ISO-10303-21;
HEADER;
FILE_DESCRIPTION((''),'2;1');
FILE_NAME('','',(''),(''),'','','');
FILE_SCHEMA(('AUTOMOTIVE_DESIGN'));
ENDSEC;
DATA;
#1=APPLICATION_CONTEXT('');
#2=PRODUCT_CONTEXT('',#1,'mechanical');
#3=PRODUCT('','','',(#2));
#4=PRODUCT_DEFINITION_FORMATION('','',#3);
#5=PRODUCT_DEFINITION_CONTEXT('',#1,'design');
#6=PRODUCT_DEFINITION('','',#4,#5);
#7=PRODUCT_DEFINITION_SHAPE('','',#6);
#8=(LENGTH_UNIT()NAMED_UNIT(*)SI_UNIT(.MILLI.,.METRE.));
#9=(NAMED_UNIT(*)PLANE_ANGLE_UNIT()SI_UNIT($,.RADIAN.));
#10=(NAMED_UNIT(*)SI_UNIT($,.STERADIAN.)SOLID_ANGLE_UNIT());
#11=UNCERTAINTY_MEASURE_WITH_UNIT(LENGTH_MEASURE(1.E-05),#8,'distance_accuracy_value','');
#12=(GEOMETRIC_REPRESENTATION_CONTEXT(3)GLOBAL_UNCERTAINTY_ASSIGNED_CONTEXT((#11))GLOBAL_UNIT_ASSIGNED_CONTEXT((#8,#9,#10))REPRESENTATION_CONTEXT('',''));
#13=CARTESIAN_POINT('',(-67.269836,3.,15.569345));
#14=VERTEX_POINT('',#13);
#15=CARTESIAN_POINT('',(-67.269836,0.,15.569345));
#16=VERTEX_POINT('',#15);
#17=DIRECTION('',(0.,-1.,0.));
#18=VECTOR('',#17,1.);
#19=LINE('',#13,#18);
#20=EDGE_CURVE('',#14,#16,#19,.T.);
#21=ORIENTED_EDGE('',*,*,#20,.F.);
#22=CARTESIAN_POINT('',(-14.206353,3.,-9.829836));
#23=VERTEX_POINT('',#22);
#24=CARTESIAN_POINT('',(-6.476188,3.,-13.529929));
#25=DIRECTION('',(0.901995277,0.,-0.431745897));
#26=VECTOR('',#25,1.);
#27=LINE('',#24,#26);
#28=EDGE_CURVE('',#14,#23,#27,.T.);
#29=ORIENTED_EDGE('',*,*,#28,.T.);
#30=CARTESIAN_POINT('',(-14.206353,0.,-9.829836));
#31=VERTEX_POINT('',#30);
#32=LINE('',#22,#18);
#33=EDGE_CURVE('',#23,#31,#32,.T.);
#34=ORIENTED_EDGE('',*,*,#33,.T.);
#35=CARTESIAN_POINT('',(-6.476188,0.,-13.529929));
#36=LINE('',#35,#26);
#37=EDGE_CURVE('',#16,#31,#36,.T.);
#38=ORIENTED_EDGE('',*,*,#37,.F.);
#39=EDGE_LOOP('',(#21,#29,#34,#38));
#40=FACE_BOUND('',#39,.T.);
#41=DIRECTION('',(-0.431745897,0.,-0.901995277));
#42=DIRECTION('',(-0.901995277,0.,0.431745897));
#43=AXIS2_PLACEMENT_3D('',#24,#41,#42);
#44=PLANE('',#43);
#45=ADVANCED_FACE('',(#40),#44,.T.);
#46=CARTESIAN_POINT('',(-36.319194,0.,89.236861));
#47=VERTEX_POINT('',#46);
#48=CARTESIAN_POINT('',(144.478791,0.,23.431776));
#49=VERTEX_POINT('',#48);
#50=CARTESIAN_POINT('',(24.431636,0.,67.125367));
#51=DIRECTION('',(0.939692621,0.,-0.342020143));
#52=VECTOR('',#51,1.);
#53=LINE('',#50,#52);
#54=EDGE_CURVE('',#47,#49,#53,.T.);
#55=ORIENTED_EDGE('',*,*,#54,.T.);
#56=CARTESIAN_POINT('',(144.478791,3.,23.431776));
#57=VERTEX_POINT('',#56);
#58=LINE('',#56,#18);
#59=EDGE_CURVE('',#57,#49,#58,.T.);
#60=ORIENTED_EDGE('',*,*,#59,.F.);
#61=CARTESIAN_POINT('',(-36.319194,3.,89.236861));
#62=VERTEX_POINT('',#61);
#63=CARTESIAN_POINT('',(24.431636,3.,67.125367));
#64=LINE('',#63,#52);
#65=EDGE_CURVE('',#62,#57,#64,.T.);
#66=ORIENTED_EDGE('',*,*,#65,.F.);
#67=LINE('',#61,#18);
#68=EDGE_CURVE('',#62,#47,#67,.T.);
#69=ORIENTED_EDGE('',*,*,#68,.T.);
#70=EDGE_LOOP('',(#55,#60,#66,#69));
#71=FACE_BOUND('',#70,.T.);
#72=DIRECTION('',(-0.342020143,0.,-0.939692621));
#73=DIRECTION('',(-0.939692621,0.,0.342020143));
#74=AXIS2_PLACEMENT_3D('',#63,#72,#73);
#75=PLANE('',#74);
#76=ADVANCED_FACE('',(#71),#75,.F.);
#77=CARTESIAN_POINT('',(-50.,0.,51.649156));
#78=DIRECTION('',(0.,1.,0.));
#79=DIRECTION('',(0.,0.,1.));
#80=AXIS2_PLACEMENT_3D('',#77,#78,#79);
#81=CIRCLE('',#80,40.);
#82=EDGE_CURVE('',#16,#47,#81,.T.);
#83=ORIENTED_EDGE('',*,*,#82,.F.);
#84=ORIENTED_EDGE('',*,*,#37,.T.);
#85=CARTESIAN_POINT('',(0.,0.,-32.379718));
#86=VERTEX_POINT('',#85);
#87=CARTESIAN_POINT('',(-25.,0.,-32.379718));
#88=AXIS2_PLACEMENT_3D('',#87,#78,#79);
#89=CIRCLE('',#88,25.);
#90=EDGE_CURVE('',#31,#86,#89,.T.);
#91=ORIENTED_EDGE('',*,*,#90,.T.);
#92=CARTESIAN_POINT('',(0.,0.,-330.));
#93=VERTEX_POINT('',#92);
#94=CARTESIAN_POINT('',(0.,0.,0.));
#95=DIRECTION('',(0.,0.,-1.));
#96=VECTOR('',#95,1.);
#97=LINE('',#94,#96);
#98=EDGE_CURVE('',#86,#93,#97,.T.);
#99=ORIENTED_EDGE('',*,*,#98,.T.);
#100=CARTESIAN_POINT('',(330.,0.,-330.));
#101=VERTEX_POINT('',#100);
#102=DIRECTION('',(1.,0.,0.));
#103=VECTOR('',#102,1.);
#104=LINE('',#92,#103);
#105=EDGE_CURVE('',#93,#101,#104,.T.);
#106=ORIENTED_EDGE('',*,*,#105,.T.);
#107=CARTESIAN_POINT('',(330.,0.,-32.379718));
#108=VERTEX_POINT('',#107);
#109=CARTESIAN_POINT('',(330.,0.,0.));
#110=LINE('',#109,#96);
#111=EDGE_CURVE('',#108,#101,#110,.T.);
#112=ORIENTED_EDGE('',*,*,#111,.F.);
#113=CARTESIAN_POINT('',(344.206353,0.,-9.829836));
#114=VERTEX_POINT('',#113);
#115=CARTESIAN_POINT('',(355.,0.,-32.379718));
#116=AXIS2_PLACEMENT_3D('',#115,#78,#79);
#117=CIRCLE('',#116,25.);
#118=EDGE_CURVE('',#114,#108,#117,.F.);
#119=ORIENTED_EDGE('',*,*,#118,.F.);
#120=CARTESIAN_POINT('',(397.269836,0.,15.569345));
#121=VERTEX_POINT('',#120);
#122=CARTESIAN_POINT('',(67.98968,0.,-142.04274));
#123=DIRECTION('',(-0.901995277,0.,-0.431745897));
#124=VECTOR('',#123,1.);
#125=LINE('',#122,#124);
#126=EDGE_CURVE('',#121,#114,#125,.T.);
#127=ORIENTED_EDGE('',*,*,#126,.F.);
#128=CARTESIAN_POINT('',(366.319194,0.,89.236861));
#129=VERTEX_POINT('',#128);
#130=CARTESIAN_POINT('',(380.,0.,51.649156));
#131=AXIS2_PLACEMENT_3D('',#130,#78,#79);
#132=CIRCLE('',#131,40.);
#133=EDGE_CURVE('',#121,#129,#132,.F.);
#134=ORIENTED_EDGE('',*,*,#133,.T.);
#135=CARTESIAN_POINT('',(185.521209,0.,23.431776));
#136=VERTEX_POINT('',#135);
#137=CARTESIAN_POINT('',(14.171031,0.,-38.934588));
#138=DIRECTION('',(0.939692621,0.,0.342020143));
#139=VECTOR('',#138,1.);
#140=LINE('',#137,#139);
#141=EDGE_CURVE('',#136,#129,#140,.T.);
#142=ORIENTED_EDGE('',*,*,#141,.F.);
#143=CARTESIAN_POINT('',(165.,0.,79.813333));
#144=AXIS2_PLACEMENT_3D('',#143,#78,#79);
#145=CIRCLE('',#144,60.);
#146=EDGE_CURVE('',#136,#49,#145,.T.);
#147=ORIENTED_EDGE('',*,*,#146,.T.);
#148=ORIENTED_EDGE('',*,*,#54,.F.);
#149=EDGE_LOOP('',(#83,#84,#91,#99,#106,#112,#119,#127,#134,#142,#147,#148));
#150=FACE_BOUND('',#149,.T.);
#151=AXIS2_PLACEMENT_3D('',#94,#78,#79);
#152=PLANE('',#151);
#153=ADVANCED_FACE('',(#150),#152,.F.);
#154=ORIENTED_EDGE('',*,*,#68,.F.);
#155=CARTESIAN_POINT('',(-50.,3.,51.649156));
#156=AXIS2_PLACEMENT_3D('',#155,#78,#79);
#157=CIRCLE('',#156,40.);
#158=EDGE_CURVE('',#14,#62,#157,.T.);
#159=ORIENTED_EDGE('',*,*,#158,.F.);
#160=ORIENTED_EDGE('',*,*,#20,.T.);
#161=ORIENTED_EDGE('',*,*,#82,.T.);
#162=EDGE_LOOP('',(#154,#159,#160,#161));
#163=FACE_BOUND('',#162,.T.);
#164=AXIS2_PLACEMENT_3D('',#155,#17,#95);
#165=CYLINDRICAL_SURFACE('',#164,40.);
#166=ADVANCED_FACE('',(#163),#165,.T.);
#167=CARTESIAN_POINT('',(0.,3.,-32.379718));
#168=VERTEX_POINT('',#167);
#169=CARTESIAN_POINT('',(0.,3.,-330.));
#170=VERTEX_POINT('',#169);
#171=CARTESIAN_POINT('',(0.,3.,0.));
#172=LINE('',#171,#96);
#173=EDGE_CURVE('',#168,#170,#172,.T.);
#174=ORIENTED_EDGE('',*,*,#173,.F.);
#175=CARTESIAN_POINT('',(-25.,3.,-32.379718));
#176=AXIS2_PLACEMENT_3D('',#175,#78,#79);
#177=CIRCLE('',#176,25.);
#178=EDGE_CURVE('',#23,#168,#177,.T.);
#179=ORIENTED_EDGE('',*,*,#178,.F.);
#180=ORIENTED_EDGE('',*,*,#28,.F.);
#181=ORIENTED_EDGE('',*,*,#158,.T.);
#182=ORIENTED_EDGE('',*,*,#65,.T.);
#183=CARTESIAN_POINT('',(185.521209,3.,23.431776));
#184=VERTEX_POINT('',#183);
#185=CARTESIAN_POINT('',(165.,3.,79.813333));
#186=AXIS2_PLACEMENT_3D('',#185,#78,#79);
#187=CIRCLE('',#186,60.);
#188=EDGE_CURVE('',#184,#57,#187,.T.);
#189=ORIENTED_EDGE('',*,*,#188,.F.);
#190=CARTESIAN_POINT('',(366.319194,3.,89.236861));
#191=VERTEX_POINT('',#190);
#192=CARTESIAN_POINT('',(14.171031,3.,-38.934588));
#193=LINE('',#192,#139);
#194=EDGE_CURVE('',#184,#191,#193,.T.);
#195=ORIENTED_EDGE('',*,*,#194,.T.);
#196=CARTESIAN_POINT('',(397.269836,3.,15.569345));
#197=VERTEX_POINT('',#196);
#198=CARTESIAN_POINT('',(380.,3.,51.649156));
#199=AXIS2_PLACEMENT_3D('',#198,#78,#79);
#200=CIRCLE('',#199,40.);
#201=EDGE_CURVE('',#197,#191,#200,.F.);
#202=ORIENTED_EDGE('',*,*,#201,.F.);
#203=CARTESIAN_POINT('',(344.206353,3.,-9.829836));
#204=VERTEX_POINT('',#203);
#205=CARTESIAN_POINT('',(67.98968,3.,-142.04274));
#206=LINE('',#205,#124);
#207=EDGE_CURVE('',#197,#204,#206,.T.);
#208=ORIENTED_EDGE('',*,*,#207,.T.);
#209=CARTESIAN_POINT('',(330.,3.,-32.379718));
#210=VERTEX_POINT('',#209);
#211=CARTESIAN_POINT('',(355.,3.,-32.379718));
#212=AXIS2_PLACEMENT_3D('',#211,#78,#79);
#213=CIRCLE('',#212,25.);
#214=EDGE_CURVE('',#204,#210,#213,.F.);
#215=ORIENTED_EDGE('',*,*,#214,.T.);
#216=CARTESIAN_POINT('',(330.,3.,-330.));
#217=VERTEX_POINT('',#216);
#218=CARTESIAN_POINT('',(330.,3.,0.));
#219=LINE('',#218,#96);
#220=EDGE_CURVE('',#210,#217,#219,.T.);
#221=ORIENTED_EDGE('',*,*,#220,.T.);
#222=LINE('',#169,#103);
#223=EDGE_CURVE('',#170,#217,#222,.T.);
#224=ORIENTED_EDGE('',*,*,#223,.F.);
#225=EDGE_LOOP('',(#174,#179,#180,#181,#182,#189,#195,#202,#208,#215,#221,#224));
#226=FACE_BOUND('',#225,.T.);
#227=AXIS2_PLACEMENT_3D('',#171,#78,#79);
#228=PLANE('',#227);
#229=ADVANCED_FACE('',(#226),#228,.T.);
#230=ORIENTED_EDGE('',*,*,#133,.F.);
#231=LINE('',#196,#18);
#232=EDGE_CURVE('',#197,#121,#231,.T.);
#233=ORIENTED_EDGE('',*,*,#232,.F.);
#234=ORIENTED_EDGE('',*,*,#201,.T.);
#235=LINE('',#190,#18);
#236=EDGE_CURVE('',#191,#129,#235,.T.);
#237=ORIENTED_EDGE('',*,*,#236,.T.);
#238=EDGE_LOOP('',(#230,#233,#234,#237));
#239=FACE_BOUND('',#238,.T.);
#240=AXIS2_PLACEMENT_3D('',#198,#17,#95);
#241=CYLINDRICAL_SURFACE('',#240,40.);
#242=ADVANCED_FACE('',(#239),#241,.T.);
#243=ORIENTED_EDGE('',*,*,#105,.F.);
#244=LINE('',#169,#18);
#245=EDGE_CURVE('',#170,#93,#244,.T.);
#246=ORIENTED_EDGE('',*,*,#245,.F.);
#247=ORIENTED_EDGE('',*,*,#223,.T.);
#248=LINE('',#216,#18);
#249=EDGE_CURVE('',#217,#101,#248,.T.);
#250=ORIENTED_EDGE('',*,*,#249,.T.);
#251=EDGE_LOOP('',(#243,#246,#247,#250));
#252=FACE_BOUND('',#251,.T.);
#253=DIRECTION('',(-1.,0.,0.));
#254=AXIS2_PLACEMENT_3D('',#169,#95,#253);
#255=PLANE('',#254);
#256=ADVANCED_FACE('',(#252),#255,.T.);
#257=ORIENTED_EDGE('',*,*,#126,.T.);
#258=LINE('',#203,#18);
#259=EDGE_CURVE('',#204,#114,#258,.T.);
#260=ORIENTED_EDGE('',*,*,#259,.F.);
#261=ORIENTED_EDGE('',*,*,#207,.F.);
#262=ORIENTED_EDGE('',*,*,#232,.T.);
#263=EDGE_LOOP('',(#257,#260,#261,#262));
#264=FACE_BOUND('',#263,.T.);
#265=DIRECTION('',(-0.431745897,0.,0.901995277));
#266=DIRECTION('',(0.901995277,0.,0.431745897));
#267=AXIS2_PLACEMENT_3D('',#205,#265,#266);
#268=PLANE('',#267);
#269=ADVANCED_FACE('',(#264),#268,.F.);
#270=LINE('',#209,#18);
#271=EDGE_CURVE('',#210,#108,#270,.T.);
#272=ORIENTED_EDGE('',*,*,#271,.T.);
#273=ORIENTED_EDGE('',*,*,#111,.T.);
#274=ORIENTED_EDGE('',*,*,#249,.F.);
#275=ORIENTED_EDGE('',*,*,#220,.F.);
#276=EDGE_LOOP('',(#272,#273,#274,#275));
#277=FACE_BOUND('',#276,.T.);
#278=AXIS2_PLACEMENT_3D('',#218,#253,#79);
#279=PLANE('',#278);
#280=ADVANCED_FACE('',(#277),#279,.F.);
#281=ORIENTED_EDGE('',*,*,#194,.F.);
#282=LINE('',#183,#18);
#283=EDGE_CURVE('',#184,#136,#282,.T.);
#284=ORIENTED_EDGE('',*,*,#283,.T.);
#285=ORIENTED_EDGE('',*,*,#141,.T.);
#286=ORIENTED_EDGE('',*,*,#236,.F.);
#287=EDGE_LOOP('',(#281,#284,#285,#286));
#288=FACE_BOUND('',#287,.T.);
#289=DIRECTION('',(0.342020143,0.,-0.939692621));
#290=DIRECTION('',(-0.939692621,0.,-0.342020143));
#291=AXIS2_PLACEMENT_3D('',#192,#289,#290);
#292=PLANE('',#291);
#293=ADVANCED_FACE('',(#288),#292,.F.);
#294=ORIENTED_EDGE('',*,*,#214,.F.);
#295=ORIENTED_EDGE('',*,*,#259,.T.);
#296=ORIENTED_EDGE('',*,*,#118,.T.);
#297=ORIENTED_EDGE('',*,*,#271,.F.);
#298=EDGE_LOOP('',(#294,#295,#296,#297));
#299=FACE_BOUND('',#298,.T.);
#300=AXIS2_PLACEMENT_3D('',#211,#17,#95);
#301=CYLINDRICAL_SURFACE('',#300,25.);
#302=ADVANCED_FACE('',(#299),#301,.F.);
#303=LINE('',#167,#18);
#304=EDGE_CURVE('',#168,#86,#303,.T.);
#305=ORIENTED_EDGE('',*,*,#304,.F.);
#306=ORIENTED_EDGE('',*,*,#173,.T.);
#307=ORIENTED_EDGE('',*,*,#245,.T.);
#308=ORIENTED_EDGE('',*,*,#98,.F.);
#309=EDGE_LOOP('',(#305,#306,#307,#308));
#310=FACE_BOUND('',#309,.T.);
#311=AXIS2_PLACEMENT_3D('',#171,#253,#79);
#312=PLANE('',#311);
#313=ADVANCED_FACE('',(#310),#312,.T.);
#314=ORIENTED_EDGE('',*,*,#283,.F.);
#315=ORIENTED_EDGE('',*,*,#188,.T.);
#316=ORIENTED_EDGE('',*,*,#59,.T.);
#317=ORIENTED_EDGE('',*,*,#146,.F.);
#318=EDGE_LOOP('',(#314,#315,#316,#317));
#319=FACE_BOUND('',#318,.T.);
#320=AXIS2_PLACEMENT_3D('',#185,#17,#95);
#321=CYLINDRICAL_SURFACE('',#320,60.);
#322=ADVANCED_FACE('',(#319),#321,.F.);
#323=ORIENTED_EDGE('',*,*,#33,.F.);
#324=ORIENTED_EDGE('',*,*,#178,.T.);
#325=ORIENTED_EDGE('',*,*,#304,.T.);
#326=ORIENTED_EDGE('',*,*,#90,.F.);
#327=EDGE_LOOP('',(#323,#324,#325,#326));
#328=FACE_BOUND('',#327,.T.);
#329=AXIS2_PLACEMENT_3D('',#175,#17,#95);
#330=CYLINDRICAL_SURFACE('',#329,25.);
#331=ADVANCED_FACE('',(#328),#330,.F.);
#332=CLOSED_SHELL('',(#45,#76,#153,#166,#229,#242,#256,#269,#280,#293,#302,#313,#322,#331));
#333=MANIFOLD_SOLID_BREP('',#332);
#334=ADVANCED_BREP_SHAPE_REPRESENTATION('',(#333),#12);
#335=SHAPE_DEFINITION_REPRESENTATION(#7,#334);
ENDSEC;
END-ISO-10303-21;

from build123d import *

# Parameters (mm, degrees)
BOSS_EXTRUDE1_DEPTH = 3


with BuildPart() as part:
    # Sketch3 → Boss-Extrude1 (new body)
    with BuildSketch(Plane(origin=(0, 0, 0), x_dir=(1, 0, 0), z_dir=(0, 1, 0))):
        with BuildLine():
            Line((-36.319194267, -89.236860887), (144.478790315, -23.431776084))
            ThreePointArc((144.478790315, -23.431776084), (165.000000077, -19.813332936), (185.52120983, -23.431776136))
            Line((185.52120983, -23.431776136), (366.319192052, -89.236860081))
            ThreePointArc((366.319192052, -89.236860081), (416.877444894, -67.142834059), (397.269838057, -15.569346002))
            Line((397.269838057, -15.569346002), (344.206351456, 9.829836443))
            ThreePointArc((344.206351456, 9.829836443), (333.847680817, 19.053826006), (330, 32.379717841))
            Line((330, 32.379717841), (330, 330))
            Line((330, 330), (0, 330))
            Line((0, 330), (0, 32.379717841))
            ThreePointArc((0, 32.379717841), (-3.847681031, 19.053825667), (-14.206352179, 9.829836096))
            Line((-14.206352179, 9.829836096), (-67.269835876, -15.569344958))
            ThreePointArc((-67.269835876, -15.569344958), (-86.877445819, -67.142831858), (-36.319194267, -89.236860887))
        make_face()
    extrude(amount=BOSS_EXTRUDE1_DEPTH)


solid = part.part
